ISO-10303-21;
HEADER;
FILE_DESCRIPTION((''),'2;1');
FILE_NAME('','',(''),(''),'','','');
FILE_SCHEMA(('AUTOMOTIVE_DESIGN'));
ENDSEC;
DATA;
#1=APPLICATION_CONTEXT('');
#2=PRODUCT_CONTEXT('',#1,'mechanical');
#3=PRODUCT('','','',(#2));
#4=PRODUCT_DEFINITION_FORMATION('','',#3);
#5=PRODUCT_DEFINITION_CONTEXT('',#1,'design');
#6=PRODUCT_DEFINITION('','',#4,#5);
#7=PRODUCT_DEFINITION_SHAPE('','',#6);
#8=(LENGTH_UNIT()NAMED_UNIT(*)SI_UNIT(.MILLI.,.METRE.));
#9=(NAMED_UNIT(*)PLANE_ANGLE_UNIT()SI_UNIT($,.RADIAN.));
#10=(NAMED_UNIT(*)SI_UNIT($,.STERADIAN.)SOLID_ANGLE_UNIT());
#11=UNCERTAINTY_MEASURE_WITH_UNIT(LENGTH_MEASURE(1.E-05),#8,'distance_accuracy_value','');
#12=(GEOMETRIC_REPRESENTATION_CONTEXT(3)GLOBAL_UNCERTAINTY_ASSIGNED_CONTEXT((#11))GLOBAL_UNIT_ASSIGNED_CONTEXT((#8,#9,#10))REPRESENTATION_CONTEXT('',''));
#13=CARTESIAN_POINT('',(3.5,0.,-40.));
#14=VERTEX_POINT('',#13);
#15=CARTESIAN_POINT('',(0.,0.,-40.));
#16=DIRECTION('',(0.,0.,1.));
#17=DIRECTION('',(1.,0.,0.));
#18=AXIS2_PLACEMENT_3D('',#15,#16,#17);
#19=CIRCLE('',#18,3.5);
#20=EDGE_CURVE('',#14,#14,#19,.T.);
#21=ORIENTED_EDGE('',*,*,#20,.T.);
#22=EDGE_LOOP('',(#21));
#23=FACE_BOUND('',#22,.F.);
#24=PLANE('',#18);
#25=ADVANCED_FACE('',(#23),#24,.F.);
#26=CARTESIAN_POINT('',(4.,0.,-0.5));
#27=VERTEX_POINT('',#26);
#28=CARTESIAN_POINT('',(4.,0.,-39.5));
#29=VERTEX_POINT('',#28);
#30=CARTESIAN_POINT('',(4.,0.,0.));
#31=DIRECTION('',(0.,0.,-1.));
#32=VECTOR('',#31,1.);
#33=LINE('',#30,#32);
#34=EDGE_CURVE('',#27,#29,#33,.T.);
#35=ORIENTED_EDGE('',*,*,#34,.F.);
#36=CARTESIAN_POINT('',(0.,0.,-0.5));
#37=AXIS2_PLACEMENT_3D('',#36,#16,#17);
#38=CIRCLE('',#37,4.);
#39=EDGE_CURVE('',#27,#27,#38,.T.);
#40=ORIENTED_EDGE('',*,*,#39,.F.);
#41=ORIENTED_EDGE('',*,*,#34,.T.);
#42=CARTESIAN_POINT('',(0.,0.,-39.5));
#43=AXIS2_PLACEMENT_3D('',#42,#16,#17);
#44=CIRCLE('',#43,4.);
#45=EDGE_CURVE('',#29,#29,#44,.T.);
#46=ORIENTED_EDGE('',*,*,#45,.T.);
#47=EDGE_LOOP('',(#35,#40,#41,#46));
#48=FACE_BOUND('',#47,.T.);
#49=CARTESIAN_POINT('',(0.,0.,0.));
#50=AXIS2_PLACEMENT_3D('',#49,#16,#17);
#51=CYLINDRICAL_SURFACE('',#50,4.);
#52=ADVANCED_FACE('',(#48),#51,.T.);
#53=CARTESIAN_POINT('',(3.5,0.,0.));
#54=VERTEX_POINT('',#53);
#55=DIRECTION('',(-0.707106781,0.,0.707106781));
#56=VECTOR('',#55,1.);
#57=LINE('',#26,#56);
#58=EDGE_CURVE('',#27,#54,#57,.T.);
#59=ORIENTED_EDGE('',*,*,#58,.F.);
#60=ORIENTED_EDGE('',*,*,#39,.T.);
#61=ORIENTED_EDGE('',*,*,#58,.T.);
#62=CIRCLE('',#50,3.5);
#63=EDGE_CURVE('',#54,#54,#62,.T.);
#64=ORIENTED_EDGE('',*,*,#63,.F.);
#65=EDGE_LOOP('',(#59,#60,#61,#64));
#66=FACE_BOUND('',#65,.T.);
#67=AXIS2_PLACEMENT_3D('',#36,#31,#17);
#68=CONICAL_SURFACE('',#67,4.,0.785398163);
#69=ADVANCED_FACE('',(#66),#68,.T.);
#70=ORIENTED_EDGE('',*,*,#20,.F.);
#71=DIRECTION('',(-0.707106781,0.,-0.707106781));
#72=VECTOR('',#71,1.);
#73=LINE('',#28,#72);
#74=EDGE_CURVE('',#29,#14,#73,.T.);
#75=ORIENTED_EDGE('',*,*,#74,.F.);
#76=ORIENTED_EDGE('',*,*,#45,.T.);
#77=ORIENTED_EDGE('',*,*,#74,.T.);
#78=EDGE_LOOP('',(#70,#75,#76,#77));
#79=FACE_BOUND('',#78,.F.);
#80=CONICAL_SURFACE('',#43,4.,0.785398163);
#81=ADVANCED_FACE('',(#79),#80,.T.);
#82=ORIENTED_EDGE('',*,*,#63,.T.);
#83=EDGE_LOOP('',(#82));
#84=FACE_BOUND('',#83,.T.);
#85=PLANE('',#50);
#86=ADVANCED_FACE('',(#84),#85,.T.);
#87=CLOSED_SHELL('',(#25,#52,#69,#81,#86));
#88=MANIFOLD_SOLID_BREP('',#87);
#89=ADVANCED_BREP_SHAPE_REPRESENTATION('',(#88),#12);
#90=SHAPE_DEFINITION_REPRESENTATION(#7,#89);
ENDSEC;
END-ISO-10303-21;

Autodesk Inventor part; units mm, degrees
ref_plane "YZ Plane" through (0, 0, 0) normal (1, 0, 0) x (0, 1, 0)
ref_plane "XZ Plane" through (0, 0, 0) normal (0, 1, 0) x (-1, 0, 0)
ref_plane "Work Plane1" through (-13.4144, -13.3383, -92.6) normal (0, 0, -1) x (0.4492, 0.8935, 0)
sketch "Sketch1" plane through (0, 0, 0) normal (0, 0, 1) x (1, 0, 0)
  circle A0 centre (0, 0) radius 4
  dimension "d0" = 8
extrude "Extrusion1" add sketch "Sketch1" against normal blind 40
chamfer "Chamfer1" distance 0.5 angle 45 2 edges at (-4, 0, 0) (-4, 0, -40)
properties part number "asArm2" material "Stainless Steel"
